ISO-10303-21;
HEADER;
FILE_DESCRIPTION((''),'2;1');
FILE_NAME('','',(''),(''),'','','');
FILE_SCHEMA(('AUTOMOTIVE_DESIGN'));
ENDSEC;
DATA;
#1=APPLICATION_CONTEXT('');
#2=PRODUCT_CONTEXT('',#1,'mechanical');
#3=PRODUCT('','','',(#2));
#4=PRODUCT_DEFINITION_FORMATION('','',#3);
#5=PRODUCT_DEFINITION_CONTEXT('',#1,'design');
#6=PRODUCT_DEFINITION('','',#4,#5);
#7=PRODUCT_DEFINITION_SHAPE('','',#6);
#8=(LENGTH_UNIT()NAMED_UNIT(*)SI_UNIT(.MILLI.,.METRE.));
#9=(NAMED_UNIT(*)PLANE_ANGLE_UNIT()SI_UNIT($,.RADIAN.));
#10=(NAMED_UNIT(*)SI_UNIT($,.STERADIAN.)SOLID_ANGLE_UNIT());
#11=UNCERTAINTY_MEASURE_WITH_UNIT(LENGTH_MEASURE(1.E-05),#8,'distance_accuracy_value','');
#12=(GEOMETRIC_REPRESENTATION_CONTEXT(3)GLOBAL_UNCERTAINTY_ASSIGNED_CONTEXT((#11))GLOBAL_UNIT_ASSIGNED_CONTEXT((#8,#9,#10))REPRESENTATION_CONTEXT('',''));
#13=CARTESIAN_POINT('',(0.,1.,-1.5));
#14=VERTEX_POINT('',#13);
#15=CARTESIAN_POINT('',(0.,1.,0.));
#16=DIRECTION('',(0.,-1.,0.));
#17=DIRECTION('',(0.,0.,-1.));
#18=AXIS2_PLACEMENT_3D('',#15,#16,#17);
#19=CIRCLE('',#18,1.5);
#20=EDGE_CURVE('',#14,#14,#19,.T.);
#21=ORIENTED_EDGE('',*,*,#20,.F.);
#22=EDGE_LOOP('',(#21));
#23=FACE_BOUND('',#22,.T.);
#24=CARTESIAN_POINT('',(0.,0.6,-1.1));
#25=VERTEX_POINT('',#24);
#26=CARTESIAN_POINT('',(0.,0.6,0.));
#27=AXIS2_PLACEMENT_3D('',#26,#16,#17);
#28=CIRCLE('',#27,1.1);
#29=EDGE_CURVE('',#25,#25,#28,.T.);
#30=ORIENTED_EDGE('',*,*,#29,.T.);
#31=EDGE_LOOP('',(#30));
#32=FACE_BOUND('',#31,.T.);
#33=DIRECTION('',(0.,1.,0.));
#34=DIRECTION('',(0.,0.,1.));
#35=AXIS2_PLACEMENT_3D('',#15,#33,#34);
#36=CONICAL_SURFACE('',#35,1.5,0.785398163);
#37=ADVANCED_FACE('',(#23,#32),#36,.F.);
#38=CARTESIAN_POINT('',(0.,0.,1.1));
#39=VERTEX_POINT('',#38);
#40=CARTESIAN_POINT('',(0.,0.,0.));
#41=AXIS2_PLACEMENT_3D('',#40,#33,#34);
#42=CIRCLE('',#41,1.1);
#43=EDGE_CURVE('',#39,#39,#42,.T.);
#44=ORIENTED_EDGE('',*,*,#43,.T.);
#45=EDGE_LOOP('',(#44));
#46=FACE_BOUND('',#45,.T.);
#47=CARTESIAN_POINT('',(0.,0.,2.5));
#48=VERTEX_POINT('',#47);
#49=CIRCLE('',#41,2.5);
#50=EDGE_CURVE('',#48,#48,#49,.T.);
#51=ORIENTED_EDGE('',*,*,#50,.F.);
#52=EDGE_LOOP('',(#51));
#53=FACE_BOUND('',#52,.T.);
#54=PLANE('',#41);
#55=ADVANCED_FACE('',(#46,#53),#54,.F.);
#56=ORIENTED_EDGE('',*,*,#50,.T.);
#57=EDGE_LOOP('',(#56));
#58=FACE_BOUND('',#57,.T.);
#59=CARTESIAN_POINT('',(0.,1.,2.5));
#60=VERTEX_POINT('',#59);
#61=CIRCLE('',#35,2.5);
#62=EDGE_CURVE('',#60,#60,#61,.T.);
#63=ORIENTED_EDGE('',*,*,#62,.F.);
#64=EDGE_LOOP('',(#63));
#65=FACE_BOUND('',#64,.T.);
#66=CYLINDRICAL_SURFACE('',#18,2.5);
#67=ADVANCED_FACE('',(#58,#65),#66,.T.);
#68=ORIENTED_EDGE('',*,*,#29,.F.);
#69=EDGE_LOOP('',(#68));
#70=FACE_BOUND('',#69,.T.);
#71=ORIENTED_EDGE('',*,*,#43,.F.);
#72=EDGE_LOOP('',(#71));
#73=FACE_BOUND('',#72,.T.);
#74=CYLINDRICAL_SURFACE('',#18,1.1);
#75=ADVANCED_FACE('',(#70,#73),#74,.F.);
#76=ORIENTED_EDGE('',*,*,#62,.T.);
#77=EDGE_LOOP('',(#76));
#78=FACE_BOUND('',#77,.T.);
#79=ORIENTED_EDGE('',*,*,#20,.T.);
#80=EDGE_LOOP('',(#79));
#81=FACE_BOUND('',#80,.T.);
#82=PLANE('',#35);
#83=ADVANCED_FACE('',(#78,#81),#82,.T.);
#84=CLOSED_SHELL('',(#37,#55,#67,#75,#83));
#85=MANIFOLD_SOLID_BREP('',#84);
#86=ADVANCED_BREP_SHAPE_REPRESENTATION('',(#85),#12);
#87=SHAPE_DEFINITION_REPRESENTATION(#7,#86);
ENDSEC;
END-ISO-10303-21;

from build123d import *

# Parameters (mm, degrees)
SKETCH1_R           = 2.5
SKETCH1_R_2         = 1.1
BOSS_EXTRUDE1_DEPTH = 1


with BuildPart() as part:
    # Sketch1 → Boss-Extrude1 (new body)
    with BuildSketch(Plane(origin=(0, 0, 0), x_dir=(1, 0, 0), z_dir=(0, 1, 0))):
        with Locations(Location((0, 0, 0), (0, 0, 270))):
            Circle(SKETCH1_R)
        with Locations(Location((0, 0, 0), (0, 0, 270))):
            Circle(SKETCH1_R_2, mode=Mode.SUBTRACT)
    extrude(amount=BOSS_EXTRUDE1_DEPTH)

    # Sketch2 → Cut-Revolve1 (revolve, cut)
    with BuildSketch(Plane.XY, mode=Mode.PRIVATE) as cut_revolve1_sk:
        Polygon((-1.1, 1), (-1.5, 1), (-1.1, 0.6), align=None)
    revolve(cut_revolve1_sk.sketch.rotate(Axis((0, 0, 0), (0, 1, 0)), 270), axis=Axis((0, 0, 0), (0, 1, 0)), mode=Mode.SUBTRACT)


solid = part.part
